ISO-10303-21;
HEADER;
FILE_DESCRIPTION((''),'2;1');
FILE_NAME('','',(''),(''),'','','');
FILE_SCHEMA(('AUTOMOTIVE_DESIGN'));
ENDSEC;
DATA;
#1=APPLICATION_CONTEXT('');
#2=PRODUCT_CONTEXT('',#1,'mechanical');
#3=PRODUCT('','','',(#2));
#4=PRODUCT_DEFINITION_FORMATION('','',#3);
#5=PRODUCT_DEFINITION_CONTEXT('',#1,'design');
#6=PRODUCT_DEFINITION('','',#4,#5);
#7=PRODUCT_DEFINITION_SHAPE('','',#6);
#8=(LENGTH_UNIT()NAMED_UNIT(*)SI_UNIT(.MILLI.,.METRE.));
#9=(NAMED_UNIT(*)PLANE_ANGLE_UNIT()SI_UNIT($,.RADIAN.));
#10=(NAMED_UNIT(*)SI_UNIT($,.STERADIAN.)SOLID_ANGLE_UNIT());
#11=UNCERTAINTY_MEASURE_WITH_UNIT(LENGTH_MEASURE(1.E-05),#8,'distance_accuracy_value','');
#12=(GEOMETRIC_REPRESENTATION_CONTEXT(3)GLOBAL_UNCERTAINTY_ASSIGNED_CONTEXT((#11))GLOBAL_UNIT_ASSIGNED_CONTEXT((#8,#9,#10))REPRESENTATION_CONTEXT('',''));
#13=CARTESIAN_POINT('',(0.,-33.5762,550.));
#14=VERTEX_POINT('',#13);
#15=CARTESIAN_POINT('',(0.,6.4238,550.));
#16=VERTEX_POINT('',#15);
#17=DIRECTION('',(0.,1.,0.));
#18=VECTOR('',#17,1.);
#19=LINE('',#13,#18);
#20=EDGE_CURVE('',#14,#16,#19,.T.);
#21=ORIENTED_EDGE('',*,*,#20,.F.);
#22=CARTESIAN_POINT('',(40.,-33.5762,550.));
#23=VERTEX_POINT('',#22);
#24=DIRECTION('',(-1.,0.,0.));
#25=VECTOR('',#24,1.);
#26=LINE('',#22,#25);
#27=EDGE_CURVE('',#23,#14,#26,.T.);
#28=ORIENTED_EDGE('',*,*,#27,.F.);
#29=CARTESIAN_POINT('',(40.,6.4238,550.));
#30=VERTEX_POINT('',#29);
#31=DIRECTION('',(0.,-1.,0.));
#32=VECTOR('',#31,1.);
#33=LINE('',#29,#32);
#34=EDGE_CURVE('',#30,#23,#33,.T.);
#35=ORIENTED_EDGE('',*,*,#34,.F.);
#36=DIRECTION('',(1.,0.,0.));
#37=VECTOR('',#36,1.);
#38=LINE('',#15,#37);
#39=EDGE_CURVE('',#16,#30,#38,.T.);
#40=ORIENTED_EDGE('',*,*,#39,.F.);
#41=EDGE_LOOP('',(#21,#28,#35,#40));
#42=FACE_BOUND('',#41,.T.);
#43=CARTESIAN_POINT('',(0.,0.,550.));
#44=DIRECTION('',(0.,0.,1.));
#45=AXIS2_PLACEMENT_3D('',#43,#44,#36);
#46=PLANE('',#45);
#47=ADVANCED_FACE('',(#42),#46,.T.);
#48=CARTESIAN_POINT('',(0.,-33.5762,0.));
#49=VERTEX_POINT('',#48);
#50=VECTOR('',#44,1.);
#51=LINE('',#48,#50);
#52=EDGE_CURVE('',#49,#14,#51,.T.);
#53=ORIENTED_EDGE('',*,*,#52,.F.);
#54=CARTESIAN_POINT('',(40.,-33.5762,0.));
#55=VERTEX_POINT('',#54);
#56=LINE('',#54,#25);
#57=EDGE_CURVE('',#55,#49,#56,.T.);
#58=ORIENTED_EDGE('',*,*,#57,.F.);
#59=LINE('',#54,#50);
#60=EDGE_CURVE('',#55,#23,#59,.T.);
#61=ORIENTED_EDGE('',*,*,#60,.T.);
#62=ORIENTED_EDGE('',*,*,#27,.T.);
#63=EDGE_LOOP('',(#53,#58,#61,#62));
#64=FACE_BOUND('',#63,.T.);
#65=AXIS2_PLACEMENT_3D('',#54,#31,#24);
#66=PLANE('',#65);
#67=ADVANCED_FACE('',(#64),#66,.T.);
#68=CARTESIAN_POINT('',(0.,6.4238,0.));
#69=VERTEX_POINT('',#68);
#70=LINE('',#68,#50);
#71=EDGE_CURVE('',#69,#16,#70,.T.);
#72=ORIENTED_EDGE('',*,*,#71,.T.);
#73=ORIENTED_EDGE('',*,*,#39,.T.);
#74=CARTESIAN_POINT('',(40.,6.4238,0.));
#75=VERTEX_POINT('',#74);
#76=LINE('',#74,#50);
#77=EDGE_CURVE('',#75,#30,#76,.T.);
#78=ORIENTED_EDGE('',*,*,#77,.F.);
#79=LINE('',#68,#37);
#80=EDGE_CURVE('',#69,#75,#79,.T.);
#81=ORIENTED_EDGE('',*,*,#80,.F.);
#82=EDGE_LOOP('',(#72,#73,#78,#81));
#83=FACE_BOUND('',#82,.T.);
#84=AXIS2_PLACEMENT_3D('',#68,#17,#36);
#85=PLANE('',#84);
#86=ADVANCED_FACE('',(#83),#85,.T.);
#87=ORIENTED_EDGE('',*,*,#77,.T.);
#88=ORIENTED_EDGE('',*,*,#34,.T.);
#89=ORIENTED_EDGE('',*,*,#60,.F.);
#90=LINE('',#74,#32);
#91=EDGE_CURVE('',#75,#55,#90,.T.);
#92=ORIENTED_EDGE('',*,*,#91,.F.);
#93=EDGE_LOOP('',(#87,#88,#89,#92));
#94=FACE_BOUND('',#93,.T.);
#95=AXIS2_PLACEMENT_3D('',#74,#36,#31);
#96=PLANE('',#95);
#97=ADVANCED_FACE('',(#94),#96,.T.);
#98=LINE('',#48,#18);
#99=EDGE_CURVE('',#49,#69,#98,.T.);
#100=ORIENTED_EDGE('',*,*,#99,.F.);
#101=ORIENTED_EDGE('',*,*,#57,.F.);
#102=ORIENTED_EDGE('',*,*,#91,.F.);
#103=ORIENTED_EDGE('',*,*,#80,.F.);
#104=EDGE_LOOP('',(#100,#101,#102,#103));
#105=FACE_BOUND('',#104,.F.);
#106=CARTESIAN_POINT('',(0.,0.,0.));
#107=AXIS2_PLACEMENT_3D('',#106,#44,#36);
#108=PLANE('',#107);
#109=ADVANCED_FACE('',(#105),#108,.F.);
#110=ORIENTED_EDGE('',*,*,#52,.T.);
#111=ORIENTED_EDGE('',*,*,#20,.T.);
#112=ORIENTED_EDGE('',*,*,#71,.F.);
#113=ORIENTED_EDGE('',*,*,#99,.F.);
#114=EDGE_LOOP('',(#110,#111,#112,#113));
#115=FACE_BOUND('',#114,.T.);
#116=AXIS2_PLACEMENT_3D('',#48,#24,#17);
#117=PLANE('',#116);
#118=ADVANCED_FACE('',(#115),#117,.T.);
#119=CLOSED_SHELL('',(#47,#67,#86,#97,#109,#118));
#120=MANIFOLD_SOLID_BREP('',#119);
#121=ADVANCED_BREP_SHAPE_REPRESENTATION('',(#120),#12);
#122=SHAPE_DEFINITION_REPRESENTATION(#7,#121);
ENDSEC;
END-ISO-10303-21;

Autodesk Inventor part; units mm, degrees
ref_plane "YZ Plane" through (0, 0, 0) normal (1, 0, 0) x (0, 1, 0)
ref_plane "XZ Plane" through (0, 0, 0) normal (0, 1, 0) x (-1, 0, 0)
ref_plane "XY Plane" through (0, 0, 0) normal (0, 0, 1) x (1, 0, 0)
sketch "Эскиз1" plane through (0, 0, 0) normal (0, 0, 1) x (1, 0, 0)
  line L0 (0, 6.4238) -> (40, 6.4238)
  line L1 (40, 6.4238) -> (40, -33.5762)
  line L2 (40, -33.5762) -> (0, -33.5762)
  line L3 (0, -33.5762) -> (0, 6.4238)
  point P0 (0, 0)
  dimension "d0" = 40
  dimension "d1" = 40
extrude "Выдавливание1" add sketch "Эскиз1" along normal blind 550
properties part number "Кабельный канал 40х40х400"
